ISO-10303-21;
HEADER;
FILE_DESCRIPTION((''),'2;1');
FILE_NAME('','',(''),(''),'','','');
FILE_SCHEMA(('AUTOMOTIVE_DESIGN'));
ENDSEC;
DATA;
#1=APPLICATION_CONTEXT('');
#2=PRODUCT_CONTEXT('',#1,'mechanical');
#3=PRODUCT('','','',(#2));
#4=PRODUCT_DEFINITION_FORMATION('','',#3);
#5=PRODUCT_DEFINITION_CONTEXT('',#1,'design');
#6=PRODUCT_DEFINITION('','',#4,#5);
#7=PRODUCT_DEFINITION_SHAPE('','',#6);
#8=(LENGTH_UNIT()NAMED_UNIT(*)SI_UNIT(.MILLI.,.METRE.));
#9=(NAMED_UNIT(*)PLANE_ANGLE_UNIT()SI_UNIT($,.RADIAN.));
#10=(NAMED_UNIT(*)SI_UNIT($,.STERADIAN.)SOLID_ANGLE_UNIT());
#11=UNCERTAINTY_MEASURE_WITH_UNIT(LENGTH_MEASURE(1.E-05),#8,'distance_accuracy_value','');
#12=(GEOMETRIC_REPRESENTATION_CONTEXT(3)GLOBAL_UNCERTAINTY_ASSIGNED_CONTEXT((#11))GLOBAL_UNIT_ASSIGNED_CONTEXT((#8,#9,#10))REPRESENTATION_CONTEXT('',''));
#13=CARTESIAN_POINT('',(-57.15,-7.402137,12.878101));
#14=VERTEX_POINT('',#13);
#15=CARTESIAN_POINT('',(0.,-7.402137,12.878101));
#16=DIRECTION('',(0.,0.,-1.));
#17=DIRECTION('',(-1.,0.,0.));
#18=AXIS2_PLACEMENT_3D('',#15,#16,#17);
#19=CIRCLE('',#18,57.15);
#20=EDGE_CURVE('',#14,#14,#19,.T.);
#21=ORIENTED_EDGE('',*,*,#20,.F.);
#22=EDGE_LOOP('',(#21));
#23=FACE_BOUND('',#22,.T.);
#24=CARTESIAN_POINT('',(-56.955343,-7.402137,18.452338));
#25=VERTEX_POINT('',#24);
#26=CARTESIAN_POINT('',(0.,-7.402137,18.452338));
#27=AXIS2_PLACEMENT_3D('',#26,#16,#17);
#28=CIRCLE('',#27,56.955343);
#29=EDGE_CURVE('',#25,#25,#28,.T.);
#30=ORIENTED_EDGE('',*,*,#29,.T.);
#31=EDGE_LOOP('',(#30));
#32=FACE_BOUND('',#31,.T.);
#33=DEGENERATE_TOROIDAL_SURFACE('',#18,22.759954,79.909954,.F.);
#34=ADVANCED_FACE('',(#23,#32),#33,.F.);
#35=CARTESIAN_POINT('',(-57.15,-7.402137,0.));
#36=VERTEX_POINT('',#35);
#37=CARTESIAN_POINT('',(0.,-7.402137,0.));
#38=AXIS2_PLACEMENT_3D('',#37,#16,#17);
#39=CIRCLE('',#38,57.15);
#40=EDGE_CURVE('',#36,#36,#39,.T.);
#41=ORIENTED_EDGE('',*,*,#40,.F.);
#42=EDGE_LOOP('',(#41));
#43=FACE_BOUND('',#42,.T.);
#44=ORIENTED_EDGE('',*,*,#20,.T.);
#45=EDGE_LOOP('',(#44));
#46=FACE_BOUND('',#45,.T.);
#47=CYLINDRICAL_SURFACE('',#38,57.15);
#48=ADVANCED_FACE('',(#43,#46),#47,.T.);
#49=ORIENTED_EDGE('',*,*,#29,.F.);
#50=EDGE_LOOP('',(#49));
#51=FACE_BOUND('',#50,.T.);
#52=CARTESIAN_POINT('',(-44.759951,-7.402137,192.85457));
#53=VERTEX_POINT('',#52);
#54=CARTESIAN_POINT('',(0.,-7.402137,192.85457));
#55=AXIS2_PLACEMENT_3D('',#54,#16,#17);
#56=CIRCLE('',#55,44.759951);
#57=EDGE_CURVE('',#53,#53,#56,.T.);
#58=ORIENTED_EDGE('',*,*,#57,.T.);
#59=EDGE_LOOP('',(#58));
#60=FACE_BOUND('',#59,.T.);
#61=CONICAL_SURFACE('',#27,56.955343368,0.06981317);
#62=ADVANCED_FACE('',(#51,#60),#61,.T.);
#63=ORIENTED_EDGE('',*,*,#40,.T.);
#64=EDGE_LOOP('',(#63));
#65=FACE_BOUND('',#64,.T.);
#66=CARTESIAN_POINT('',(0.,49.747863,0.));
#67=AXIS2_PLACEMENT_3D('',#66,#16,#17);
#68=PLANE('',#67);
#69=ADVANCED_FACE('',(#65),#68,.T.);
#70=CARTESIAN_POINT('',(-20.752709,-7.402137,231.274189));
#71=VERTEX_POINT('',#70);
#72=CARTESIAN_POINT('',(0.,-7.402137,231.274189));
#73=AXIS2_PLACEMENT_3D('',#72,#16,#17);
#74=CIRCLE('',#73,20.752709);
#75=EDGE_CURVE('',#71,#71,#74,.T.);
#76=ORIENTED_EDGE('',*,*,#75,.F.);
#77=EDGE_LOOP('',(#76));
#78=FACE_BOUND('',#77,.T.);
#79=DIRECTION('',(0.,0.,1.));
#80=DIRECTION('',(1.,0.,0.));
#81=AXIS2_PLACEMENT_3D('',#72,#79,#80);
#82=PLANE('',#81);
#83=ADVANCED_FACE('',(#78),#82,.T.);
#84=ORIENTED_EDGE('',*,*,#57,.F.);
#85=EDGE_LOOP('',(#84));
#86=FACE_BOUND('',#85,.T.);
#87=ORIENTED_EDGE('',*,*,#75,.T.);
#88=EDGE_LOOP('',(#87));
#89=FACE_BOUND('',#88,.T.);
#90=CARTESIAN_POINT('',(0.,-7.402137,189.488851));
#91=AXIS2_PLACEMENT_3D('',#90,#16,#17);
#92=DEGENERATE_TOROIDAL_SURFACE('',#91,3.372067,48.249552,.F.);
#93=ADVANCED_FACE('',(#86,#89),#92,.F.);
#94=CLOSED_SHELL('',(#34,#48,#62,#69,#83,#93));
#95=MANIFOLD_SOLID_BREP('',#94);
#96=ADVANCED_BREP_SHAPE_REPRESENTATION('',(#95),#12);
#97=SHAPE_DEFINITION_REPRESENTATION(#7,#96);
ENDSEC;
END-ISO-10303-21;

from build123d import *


with BuildPart() as part:
    # Sketch1 → Revolve1 (revolve)
    with BuildSketch(Plane(origin=(0, 0, 0), x_dir=(0, 0, -1), z_dir=(1, 0, 0))):
        with BuildLine():
            Line((0, 49.747863485), (-12.878101339, 49.747863485))
            ThreePointArc((-12.878101339, 49.747863485), (-15.666918513, 49.6991845), (-18.452337943, 49.553206853))
            Line((-18.452337943, 49.553206853), (-192.854569693, 37.357814791))
            ThreePointArc((-192.854569693, 37.357814791), (-215.057218111, 30.143737011), (-231.274188718, 13.35057235))
            Line((-231.274188718, 13.35057235), (-231.274188718, -7.402136515))
            Line((-231.274188718, -7.402136515), (0, -7.402136515))
            Line((0, -7.402136515), (0, 49.747863485))
        make_face()
    revolve(axis=Axis((0, -7.402136515, 0), (0, 0, 1)))


solid = part.part
